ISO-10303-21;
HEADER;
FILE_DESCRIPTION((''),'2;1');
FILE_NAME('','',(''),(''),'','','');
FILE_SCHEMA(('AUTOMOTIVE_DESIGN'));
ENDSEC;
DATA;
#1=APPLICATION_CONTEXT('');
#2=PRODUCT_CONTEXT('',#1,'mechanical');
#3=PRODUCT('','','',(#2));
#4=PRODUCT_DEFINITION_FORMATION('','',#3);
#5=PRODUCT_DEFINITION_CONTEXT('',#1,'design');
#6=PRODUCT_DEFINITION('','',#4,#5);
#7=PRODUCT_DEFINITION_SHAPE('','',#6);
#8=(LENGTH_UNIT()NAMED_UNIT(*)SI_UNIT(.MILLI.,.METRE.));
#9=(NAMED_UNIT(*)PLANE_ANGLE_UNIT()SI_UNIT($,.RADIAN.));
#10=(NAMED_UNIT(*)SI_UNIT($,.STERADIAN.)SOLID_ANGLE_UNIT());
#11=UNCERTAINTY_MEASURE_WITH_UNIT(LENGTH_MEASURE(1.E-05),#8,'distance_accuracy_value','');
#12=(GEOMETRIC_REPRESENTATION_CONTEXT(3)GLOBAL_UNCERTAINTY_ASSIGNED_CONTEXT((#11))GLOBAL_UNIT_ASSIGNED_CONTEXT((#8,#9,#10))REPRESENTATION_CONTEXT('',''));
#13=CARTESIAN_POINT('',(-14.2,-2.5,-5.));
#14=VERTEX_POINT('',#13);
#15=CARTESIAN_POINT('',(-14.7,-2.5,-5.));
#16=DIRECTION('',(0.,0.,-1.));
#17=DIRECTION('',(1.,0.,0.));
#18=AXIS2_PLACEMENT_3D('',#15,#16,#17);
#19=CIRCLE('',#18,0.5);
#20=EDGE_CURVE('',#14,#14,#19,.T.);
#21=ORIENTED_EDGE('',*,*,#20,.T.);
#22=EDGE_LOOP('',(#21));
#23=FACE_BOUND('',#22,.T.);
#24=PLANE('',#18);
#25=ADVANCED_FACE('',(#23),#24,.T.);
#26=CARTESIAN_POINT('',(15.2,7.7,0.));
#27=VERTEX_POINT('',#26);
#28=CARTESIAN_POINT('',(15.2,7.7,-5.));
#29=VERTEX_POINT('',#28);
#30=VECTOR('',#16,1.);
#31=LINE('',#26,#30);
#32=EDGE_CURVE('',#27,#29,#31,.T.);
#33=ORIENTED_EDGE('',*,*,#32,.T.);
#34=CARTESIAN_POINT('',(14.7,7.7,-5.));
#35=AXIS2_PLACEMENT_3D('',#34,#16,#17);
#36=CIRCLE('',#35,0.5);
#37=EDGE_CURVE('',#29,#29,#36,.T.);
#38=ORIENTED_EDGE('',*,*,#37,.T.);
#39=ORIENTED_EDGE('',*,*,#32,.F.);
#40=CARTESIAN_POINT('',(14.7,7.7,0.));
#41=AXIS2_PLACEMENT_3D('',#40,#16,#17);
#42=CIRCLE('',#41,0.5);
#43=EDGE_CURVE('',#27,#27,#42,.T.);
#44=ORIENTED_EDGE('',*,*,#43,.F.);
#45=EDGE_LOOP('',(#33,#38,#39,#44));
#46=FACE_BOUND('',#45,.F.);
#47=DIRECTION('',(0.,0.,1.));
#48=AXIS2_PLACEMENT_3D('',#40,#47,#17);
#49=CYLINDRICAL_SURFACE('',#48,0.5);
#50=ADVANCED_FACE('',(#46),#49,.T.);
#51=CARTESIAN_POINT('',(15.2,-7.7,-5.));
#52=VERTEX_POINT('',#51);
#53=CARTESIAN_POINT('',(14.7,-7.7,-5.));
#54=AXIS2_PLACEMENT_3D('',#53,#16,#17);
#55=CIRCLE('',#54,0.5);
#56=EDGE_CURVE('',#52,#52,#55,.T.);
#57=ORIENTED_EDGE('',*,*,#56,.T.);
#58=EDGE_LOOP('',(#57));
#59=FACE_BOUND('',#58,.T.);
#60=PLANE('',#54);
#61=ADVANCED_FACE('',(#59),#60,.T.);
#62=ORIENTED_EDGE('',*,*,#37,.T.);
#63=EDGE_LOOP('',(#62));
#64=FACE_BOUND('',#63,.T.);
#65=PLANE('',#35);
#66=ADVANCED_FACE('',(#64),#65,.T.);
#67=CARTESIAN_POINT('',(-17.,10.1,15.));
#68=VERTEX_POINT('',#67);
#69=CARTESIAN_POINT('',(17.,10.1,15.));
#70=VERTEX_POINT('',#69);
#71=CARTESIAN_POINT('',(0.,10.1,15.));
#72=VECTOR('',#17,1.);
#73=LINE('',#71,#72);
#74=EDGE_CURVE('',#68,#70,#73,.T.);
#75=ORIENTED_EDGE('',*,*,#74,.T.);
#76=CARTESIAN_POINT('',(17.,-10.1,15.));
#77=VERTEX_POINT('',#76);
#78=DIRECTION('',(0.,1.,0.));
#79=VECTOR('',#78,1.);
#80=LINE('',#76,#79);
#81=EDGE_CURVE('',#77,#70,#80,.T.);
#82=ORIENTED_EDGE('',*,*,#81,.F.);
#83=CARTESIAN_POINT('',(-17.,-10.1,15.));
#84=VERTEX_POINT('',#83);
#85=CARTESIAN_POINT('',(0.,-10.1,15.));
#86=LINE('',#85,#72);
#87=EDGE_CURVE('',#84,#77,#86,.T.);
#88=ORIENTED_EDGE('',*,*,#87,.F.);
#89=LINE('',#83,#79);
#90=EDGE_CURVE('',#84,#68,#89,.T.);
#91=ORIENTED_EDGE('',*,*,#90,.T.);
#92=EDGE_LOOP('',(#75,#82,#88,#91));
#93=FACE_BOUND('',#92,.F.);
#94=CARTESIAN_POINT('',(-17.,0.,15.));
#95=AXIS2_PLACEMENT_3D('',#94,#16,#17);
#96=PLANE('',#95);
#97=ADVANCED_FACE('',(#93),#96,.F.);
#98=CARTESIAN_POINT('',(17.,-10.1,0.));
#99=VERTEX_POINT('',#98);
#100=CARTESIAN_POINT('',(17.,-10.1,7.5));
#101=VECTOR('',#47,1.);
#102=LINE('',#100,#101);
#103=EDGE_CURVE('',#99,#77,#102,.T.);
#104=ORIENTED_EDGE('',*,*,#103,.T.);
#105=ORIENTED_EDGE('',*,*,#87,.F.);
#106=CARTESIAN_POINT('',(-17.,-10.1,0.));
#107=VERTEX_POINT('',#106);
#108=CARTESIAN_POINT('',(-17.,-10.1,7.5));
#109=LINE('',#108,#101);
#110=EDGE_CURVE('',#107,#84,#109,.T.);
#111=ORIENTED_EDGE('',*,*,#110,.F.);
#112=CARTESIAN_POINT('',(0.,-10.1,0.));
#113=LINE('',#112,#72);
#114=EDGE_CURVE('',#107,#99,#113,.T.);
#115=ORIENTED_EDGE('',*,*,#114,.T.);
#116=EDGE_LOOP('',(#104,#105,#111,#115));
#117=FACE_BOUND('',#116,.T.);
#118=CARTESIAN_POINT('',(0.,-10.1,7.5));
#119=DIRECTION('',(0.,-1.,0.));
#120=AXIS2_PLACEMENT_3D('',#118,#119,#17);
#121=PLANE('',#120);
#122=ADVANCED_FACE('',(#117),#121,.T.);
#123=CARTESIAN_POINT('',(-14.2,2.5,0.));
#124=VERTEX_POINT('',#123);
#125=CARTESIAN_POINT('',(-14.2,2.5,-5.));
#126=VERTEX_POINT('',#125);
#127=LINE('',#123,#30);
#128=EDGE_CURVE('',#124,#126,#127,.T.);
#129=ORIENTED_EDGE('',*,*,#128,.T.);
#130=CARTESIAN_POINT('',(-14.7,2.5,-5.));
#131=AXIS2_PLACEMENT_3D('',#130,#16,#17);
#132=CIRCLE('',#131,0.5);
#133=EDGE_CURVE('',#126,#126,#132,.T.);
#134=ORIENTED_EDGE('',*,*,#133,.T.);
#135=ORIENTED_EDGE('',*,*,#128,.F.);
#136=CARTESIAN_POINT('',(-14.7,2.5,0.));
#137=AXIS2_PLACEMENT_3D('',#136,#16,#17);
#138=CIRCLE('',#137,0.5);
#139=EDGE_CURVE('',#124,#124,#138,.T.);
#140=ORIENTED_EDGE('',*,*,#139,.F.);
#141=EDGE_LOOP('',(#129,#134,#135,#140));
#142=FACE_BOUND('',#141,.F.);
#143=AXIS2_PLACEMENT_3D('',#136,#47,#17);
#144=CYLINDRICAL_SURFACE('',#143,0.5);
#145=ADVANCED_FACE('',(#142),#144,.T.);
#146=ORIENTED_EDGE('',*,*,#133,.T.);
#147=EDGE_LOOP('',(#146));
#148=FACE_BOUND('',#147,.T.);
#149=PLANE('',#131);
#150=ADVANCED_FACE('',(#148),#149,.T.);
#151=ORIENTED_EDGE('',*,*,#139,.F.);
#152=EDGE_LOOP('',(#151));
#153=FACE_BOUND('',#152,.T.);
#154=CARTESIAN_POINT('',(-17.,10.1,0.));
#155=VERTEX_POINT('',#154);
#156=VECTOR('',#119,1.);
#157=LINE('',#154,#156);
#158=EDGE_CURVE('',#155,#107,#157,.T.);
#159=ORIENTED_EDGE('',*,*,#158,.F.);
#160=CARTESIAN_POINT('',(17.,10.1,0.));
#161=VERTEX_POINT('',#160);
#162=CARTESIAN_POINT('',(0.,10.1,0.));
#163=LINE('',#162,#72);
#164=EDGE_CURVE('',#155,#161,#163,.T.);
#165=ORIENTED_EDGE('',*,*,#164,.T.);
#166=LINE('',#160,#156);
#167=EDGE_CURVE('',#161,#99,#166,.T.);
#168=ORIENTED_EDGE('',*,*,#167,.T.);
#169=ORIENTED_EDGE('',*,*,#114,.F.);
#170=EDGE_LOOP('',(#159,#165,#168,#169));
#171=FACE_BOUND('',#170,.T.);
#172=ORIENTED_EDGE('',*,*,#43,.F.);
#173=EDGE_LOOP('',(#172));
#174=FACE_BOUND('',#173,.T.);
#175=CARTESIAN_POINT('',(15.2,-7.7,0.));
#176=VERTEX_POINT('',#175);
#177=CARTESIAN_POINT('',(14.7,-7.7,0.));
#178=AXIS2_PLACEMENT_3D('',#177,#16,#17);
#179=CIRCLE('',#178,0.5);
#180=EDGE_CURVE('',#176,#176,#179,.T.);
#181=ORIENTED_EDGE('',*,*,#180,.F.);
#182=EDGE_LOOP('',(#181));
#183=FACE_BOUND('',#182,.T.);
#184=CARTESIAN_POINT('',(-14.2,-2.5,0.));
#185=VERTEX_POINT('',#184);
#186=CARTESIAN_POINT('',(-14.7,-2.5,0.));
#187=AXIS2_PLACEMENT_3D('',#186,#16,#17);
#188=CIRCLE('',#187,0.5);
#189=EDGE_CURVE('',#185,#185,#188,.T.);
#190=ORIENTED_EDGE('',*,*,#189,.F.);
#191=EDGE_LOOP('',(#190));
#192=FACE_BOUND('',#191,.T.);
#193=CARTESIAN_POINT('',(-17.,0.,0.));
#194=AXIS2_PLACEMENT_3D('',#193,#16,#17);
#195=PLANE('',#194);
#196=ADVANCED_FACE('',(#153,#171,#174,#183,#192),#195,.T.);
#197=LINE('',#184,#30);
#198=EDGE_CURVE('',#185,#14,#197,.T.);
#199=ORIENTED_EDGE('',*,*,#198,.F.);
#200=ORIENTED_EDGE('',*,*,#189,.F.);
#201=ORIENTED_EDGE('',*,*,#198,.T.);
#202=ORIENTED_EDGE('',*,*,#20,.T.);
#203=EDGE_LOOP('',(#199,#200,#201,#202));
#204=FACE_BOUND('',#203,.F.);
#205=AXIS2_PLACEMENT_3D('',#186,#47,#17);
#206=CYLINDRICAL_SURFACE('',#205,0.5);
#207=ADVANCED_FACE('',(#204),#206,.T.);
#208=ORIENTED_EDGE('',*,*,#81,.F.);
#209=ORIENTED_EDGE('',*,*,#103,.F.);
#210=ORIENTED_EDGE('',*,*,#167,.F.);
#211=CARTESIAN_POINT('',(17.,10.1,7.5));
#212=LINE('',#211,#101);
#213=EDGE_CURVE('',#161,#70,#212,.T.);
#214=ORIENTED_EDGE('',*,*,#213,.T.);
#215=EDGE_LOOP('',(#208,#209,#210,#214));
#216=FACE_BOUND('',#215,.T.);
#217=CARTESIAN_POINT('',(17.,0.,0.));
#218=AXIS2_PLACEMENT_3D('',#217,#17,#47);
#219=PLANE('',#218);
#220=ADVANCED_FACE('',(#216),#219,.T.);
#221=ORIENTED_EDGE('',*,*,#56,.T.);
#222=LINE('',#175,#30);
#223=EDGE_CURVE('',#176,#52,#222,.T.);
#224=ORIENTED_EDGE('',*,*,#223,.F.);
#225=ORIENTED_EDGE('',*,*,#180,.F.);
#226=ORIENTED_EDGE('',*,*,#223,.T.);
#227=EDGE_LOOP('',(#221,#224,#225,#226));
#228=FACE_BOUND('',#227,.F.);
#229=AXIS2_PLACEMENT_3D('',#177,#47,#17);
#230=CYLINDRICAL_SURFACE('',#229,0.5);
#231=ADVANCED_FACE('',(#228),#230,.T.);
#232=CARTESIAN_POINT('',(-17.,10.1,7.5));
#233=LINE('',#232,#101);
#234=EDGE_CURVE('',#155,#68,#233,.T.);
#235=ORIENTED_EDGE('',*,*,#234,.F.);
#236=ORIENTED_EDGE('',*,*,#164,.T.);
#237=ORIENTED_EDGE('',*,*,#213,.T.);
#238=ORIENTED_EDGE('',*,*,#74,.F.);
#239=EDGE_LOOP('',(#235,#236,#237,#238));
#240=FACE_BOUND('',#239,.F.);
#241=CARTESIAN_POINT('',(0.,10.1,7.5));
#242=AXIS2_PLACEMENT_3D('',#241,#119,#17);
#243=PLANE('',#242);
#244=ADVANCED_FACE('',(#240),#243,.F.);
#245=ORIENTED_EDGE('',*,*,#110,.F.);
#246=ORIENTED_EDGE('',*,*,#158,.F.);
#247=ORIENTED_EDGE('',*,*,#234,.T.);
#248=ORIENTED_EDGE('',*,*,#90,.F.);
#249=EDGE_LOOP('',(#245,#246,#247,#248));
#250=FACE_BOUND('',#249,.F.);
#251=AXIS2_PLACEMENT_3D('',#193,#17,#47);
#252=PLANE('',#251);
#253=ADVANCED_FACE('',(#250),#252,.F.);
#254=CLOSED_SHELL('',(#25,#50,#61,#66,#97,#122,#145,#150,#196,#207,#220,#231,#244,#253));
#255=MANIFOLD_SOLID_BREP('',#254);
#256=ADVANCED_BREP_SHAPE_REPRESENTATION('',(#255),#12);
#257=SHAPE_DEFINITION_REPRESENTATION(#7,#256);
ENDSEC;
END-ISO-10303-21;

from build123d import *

# Parameters (mm, degrees)
F0_W     = 34
F0_H     = 15
F1_DEPTH = 10.1
F2_R     = 0.5
F3_DEPTH = 5


with BuildPart() as f1:
    # F0 (on Front) → F1 (new body, symmetric)
    with BuildSketch(Plane.XZ):
        with Locations((0, 7.5)):
            Rectangle(F0_W, F0_H)
    extrude(amount=F1_DEPTH, both=True)

    # F2 (on face) → F3 (join)
    with BuildSketch(Plane(origin=(0, 0, 0), x_dir=(1, 0, 0), z_dir=(0, 0, -1))):
        with Locations((-14.7, 2.5)):
            Circle(F2_R)
        with Locations((-14.7, -2.5)):
            Circle(F2_R)
        with Locations((14.7, 7.7)):
            Circle(F2_R)
        with Locations((14.7, -7.7)):
            Circle(F2_R)
    extrude(amount=F3_DEPTH)


solid = f1.part
